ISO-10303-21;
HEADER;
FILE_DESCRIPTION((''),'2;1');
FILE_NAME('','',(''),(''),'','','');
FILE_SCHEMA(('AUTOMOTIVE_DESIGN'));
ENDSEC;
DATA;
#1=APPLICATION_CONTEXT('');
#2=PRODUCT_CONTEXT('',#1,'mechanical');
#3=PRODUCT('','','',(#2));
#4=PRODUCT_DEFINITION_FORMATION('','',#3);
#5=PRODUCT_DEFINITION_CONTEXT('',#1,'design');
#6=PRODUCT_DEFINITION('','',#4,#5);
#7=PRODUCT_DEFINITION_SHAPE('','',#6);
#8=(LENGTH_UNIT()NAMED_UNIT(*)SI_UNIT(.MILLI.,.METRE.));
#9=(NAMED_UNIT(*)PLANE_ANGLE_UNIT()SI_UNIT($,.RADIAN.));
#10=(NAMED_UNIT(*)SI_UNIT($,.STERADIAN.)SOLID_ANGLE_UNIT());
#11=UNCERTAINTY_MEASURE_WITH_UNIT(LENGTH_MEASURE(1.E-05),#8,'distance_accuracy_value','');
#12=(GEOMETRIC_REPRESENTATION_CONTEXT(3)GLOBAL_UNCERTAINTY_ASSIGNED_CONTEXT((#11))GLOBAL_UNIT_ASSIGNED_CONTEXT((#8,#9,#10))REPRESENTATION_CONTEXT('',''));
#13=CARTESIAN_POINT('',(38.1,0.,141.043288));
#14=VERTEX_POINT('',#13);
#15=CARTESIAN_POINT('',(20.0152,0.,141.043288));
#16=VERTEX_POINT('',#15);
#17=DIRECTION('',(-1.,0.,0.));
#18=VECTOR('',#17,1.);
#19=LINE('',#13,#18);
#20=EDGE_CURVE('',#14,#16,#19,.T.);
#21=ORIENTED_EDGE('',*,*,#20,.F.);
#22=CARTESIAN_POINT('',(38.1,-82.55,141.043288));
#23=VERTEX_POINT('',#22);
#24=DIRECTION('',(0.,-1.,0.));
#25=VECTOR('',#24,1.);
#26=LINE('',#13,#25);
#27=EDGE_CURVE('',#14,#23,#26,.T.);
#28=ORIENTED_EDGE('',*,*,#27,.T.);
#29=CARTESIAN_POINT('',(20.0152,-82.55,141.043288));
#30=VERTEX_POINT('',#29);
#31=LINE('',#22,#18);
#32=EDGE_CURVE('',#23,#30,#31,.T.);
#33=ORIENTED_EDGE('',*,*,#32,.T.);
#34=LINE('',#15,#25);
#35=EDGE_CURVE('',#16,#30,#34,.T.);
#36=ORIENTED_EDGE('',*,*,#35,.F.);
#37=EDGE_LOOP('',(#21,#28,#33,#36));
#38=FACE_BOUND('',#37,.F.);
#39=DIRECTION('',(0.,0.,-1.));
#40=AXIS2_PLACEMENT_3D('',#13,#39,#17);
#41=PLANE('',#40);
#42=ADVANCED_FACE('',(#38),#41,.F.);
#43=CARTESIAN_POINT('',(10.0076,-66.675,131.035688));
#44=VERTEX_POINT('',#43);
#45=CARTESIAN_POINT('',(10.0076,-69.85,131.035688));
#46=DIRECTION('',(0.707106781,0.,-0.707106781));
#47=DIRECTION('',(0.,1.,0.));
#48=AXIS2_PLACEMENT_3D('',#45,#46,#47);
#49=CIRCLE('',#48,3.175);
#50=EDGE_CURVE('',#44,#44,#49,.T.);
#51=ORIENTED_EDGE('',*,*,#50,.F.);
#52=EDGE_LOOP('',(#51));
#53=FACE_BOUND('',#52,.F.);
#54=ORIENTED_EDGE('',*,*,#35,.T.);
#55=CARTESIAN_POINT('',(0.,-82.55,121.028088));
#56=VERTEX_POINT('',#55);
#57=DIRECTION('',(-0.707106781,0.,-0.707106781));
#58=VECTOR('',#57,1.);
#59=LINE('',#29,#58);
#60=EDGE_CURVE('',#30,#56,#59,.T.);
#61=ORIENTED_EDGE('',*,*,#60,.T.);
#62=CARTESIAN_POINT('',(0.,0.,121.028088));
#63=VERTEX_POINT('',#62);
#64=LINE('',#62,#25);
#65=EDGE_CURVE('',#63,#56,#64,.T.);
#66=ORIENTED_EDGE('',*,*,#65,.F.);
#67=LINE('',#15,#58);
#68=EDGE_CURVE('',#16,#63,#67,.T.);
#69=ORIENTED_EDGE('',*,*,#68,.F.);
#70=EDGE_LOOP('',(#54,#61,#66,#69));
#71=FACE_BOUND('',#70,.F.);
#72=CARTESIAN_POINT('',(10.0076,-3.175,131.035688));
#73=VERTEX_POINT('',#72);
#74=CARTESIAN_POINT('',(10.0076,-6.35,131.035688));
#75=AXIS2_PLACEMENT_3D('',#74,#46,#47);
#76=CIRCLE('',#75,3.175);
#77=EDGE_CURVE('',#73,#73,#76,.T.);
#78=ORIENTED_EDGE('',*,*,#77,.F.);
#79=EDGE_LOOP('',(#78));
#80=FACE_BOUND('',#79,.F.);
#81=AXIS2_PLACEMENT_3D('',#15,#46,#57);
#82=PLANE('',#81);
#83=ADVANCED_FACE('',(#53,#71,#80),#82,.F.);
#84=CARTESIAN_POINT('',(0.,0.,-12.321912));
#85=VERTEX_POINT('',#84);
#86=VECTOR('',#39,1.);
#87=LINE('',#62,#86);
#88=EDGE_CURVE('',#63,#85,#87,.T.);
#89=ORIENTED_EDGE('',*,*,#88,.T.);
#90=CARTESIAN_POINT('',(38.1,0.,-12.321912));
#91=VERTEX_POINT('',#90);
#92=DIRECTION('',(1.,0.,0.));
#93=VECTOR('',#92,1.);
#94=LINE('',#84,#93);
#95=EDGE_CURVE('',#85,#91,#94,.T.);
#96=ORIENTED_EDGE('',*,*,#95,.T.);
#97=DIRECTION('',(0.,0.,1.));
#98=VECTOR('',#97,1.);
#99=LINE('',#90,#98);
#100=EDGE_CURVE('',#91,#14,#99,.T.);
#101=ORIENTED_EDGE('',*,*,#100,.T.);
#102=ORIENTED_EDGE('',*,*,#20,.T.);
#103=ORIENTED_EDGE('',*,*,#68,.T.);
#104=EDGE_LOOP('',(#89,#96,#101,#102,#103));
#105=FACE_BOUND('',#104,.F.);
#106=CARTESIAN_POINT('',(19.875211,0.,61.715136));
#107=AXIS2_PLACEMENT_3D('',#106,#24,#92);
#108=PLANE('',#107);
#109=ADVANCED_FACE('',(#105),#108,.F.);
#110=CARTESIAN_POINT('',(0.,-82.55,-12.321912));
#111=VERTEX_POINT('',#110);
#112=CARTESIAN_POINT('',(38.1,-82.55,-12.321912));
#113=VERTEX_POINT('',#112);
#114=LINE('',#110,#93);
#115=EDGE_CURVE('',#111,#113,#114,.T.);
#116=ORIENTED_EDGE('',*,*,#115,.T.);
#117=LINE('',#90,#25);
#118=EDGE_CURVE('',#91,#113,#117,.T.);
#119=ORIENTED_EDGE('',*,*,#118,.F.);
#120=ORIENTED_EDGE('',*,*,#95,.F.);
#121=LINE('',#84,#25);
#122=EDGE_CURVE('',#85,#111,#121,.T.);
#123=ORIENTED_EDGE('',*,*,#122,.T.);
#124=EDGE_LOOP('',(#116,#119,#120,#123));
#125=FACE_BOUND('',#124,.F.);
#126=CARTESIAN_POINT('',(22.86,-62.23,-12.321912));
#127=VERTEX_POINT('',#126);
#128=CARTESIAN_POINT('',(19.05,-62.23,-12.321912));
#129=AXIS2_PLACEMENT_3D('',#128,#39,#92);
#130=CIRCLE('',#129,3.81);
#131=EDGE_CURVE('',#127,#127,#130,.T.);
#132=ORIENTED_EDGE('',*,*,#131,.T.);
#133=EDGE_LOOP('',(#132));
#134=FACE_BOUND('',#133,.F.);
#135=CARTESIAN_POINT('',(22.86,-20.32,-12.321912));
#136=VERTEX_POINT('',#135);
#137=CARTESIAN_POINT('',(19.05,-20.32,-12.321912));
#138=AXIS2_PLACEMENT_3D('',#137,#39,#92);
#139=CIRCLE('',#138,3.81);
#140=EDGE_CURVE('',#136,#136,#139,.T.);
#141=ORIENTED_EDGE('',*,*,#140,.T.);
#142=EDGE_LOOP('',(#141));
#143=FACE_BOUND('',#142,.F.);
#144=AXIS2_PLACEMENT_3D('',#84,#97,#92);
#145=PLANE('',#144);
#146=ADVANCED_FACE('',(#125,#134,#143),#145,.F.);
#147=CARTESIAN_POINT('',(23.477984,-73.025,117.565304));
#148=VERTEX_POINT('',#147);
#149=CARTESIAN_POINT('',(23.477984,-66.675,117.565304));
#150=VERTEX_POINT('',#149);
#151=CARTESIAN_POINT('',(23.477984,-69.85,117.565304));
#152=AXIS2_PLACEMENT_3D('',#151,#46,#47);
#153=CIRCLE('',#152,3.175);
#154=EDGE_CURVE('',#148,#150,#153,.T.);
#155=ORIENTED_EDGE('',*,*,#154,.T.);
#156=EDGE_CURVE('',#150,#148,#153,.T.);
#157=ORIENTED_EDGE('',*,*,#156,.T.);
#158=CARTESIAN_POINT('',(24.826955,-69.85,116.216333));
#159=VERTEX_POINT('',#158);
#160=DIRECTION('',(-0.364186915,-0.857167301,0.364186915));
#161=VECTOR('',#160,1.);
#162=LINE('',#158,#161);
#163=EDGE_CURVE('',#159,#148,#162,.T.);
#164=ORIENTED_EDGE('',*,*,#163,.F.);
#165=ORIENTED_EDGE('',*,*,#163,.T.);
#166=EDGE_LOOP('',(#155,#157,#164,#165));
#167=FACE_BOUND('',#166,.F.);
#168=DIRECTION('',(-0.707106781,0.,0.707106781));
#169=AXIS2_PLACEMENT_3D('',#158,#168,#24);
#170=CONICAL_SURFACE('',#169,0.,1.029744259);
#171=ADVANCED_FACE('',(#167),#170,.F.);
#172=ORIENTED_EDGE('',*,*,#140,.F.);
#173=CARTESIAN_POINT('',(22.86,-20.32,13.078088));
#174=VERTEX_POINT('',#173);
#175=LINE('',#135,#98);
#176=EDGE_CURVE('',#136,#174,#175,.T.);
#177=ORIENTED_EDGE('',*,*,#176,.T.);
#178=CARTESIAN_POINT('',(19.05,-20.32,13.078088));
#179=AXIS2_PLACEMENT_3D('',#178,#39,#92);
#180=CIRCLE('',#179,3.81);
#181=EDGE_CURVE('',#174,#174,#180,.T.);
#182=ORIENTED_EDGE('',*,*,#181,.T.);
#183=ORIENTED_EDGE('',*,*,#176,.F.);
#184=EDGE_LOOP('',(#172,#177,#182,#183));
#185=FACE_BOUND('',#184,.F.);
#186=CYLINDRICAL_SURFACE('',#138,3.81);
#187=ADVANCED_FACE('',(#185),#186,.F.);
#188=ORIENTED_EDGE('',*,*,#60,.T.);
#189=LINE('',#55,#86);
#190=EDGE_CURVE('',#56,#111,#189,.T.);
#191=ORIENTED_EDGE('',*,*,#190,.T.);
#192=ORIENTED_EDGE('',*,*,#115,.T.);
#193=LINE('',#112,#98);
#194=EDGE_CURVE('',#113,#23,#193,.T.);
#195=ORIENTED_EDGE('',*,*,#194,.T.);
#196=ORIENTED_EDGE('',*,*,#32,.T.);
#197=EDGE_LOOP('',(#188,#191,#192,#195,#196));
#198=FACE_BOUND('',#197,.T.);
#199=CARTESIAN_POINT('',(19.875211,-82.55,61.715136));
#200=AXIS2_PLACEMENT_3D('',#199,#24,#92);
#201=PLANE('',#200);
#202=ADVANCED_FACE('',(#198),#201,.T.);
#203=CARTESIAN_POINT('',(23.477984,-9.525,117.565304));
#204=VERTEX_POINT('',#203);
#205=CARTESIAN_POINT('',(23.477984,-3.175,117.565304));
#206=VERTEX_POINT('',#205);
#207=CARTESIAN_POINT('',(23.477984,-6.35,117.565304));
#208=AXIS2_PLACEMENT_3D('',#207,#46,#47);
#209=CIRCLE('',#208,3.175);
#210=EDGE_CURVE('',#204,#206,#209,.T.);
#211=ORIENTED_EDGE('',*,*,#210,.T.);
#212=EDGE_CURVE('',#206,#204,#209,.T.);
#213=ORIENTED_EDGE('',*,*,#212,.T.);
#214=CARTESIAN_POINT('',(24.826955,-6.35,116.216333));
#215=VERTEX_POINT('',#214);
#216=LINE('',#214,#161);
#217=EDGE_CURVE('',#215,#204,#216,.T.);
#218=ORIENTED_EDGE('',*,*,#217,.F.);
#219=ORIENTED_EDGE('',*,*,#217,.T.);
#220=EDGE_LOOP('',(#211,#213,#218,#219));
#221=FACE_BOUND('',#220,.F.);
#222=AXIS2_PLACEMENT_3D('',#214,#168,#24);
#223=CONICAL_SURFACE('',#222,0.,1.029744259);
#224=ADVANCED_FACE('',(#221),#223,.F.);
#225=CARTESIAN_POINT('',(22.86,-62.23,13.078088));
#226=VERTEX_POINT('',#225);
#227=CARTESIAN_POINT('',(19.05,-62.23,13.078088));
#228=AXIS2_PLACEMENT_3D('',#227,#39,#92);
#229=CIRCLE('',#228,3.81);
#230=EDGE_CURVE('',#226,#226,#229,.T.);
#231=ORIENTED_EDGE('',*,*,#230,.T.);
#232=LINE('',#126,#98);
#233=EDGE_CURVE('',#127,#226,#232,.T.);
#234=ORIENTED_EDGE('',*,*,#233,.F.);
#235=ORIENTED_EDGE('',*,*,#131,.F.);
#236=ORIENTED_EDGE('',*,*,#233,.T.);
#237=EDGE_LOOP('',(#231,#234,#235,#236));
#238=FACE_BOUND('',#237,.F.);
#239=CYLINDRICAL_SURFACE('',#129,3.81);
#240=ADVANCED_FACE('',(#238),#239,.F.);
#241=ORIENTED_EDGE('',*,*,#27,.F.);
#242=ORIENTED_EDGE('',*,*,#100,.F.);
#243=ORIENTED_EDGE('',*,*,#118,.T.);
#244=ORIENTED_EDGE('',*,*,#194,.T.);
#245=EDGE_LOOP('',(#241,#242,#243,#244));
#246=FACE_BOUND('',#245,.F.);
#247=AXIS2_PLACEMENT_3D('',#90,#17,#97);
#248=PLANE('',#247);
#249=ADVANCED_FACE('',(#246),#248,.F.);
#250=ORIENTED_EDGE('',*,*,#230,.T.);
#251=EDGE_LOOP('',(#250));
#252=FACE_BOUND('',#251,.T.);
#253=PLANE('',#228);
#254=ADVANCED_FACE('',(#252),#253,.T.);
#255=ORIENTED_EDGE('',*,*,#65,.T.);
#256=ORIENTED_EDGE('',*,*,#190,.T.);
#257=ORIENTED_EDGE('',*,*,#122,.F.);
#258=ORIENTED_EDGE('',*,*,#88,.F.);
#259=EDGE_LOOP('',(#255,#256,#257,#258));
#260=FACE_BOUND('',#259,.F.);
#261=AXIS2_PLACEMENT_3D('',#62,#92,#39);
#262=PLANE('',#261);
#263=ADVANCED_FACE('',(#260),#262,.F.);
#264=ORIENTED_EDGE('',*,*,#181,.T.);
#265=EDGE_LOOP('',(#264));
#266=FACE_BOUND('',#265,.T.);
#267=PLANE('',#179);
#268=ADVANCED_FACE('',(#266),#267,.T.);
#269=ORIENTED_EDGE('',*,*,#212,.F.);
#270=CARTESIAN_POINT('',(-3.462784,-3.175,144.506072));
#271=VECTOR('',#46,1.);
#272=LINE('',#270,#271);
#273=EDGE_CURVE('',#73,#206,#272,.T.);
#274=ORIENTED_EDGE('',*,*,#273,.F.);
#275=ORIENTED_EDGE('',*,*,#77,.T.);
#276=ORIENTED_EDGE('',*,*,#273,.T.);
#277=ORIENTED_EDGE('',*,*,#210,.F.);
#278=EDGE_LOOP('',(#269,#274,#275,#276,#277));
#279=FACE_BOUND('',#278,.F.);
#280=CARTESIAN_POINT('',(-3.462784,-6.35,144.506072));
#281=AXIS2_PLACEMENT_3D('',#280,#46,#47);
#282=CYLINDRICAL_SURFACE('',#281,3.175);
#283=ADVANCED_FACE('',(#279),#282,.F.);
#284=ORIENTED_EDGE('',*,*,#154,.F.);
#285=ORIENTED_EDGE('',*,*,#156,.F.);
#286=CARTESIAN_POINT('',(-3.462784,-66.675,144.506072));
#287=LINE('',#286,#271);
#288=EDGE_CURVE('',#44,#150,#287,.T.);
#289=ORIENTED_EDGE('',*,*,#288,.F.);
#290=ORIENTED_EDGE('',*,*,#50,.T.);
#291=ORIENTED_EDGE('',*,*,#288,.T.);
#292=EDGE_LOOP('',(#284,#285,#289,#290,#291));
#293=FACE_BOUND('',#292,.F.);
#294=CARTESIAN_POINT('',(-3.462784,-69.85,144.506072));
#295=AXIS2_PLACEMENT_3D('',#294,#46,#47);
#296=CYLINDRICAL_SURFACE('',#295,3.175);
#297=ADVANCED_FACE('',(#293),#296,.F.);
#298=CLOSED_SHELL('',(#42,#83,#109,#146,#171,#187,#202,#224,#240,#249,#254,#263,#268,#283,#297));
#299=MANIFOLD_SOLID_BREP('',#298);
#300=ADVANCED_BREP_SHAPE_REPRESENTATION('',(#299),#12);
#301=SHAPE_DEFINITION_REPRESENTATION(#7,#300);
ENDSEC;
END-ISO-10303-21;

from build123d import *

# Parameters (mm, degrees)
F1_DEPTH = 82.55
F2_R     = 3.81
F3_DEPTH = 25.4
F5_D     = 6.35
F5_DEPTH = 19.05
F5_TIP   = 1.9077324654


with BuildPart() as f1:
    # F0 (on Front) → F1 (new body)
    with BuildSketch(Plane.XZ):
        Polygon((0, 121.0280880332), (0, -12.3219119668), (38.1, -12.3219119668), (38.1, 141.0432880332), (20.0152, 141.0432880332), align=None)
    extrude(amount=F1_DEPTH)

    # F2 (on face) → F3 (cut)
    with BuildSketch(Plane(origin=(0, 0, -12.3219119668), x_dir=(1, 0, 0), z_dir=(0, 0, -1))):
        with Locations((19.05, 62.23)):
            Circle(F2_R)
        with Locations((19.05, 20.32)):
            Circle(F2_R)
    extrude(amount=-F3_DEPTH, mode=Mode.SUBTRACT)

    # F5
    with Locations(Plane(origin=(-60.5140440166, 0, 60.5140440166), x_dir=(0, -1, 0), z_dir=(-0.7071067812, 0, 0.7071067812))):
        with Locations((6.35, 99.7326654091), (69.85, 99.7326654091)):
            Hole(F5_D / 2, depth=F5_DEPTH)
            with Locations((0, 0, -(F5_DEPTH + F5_TIP / 2))):  # 118° drill point
                Cone(0, F5_D / 2, F5_TIP, mode=Mode.SUBTRACT)


solid = f1.part
